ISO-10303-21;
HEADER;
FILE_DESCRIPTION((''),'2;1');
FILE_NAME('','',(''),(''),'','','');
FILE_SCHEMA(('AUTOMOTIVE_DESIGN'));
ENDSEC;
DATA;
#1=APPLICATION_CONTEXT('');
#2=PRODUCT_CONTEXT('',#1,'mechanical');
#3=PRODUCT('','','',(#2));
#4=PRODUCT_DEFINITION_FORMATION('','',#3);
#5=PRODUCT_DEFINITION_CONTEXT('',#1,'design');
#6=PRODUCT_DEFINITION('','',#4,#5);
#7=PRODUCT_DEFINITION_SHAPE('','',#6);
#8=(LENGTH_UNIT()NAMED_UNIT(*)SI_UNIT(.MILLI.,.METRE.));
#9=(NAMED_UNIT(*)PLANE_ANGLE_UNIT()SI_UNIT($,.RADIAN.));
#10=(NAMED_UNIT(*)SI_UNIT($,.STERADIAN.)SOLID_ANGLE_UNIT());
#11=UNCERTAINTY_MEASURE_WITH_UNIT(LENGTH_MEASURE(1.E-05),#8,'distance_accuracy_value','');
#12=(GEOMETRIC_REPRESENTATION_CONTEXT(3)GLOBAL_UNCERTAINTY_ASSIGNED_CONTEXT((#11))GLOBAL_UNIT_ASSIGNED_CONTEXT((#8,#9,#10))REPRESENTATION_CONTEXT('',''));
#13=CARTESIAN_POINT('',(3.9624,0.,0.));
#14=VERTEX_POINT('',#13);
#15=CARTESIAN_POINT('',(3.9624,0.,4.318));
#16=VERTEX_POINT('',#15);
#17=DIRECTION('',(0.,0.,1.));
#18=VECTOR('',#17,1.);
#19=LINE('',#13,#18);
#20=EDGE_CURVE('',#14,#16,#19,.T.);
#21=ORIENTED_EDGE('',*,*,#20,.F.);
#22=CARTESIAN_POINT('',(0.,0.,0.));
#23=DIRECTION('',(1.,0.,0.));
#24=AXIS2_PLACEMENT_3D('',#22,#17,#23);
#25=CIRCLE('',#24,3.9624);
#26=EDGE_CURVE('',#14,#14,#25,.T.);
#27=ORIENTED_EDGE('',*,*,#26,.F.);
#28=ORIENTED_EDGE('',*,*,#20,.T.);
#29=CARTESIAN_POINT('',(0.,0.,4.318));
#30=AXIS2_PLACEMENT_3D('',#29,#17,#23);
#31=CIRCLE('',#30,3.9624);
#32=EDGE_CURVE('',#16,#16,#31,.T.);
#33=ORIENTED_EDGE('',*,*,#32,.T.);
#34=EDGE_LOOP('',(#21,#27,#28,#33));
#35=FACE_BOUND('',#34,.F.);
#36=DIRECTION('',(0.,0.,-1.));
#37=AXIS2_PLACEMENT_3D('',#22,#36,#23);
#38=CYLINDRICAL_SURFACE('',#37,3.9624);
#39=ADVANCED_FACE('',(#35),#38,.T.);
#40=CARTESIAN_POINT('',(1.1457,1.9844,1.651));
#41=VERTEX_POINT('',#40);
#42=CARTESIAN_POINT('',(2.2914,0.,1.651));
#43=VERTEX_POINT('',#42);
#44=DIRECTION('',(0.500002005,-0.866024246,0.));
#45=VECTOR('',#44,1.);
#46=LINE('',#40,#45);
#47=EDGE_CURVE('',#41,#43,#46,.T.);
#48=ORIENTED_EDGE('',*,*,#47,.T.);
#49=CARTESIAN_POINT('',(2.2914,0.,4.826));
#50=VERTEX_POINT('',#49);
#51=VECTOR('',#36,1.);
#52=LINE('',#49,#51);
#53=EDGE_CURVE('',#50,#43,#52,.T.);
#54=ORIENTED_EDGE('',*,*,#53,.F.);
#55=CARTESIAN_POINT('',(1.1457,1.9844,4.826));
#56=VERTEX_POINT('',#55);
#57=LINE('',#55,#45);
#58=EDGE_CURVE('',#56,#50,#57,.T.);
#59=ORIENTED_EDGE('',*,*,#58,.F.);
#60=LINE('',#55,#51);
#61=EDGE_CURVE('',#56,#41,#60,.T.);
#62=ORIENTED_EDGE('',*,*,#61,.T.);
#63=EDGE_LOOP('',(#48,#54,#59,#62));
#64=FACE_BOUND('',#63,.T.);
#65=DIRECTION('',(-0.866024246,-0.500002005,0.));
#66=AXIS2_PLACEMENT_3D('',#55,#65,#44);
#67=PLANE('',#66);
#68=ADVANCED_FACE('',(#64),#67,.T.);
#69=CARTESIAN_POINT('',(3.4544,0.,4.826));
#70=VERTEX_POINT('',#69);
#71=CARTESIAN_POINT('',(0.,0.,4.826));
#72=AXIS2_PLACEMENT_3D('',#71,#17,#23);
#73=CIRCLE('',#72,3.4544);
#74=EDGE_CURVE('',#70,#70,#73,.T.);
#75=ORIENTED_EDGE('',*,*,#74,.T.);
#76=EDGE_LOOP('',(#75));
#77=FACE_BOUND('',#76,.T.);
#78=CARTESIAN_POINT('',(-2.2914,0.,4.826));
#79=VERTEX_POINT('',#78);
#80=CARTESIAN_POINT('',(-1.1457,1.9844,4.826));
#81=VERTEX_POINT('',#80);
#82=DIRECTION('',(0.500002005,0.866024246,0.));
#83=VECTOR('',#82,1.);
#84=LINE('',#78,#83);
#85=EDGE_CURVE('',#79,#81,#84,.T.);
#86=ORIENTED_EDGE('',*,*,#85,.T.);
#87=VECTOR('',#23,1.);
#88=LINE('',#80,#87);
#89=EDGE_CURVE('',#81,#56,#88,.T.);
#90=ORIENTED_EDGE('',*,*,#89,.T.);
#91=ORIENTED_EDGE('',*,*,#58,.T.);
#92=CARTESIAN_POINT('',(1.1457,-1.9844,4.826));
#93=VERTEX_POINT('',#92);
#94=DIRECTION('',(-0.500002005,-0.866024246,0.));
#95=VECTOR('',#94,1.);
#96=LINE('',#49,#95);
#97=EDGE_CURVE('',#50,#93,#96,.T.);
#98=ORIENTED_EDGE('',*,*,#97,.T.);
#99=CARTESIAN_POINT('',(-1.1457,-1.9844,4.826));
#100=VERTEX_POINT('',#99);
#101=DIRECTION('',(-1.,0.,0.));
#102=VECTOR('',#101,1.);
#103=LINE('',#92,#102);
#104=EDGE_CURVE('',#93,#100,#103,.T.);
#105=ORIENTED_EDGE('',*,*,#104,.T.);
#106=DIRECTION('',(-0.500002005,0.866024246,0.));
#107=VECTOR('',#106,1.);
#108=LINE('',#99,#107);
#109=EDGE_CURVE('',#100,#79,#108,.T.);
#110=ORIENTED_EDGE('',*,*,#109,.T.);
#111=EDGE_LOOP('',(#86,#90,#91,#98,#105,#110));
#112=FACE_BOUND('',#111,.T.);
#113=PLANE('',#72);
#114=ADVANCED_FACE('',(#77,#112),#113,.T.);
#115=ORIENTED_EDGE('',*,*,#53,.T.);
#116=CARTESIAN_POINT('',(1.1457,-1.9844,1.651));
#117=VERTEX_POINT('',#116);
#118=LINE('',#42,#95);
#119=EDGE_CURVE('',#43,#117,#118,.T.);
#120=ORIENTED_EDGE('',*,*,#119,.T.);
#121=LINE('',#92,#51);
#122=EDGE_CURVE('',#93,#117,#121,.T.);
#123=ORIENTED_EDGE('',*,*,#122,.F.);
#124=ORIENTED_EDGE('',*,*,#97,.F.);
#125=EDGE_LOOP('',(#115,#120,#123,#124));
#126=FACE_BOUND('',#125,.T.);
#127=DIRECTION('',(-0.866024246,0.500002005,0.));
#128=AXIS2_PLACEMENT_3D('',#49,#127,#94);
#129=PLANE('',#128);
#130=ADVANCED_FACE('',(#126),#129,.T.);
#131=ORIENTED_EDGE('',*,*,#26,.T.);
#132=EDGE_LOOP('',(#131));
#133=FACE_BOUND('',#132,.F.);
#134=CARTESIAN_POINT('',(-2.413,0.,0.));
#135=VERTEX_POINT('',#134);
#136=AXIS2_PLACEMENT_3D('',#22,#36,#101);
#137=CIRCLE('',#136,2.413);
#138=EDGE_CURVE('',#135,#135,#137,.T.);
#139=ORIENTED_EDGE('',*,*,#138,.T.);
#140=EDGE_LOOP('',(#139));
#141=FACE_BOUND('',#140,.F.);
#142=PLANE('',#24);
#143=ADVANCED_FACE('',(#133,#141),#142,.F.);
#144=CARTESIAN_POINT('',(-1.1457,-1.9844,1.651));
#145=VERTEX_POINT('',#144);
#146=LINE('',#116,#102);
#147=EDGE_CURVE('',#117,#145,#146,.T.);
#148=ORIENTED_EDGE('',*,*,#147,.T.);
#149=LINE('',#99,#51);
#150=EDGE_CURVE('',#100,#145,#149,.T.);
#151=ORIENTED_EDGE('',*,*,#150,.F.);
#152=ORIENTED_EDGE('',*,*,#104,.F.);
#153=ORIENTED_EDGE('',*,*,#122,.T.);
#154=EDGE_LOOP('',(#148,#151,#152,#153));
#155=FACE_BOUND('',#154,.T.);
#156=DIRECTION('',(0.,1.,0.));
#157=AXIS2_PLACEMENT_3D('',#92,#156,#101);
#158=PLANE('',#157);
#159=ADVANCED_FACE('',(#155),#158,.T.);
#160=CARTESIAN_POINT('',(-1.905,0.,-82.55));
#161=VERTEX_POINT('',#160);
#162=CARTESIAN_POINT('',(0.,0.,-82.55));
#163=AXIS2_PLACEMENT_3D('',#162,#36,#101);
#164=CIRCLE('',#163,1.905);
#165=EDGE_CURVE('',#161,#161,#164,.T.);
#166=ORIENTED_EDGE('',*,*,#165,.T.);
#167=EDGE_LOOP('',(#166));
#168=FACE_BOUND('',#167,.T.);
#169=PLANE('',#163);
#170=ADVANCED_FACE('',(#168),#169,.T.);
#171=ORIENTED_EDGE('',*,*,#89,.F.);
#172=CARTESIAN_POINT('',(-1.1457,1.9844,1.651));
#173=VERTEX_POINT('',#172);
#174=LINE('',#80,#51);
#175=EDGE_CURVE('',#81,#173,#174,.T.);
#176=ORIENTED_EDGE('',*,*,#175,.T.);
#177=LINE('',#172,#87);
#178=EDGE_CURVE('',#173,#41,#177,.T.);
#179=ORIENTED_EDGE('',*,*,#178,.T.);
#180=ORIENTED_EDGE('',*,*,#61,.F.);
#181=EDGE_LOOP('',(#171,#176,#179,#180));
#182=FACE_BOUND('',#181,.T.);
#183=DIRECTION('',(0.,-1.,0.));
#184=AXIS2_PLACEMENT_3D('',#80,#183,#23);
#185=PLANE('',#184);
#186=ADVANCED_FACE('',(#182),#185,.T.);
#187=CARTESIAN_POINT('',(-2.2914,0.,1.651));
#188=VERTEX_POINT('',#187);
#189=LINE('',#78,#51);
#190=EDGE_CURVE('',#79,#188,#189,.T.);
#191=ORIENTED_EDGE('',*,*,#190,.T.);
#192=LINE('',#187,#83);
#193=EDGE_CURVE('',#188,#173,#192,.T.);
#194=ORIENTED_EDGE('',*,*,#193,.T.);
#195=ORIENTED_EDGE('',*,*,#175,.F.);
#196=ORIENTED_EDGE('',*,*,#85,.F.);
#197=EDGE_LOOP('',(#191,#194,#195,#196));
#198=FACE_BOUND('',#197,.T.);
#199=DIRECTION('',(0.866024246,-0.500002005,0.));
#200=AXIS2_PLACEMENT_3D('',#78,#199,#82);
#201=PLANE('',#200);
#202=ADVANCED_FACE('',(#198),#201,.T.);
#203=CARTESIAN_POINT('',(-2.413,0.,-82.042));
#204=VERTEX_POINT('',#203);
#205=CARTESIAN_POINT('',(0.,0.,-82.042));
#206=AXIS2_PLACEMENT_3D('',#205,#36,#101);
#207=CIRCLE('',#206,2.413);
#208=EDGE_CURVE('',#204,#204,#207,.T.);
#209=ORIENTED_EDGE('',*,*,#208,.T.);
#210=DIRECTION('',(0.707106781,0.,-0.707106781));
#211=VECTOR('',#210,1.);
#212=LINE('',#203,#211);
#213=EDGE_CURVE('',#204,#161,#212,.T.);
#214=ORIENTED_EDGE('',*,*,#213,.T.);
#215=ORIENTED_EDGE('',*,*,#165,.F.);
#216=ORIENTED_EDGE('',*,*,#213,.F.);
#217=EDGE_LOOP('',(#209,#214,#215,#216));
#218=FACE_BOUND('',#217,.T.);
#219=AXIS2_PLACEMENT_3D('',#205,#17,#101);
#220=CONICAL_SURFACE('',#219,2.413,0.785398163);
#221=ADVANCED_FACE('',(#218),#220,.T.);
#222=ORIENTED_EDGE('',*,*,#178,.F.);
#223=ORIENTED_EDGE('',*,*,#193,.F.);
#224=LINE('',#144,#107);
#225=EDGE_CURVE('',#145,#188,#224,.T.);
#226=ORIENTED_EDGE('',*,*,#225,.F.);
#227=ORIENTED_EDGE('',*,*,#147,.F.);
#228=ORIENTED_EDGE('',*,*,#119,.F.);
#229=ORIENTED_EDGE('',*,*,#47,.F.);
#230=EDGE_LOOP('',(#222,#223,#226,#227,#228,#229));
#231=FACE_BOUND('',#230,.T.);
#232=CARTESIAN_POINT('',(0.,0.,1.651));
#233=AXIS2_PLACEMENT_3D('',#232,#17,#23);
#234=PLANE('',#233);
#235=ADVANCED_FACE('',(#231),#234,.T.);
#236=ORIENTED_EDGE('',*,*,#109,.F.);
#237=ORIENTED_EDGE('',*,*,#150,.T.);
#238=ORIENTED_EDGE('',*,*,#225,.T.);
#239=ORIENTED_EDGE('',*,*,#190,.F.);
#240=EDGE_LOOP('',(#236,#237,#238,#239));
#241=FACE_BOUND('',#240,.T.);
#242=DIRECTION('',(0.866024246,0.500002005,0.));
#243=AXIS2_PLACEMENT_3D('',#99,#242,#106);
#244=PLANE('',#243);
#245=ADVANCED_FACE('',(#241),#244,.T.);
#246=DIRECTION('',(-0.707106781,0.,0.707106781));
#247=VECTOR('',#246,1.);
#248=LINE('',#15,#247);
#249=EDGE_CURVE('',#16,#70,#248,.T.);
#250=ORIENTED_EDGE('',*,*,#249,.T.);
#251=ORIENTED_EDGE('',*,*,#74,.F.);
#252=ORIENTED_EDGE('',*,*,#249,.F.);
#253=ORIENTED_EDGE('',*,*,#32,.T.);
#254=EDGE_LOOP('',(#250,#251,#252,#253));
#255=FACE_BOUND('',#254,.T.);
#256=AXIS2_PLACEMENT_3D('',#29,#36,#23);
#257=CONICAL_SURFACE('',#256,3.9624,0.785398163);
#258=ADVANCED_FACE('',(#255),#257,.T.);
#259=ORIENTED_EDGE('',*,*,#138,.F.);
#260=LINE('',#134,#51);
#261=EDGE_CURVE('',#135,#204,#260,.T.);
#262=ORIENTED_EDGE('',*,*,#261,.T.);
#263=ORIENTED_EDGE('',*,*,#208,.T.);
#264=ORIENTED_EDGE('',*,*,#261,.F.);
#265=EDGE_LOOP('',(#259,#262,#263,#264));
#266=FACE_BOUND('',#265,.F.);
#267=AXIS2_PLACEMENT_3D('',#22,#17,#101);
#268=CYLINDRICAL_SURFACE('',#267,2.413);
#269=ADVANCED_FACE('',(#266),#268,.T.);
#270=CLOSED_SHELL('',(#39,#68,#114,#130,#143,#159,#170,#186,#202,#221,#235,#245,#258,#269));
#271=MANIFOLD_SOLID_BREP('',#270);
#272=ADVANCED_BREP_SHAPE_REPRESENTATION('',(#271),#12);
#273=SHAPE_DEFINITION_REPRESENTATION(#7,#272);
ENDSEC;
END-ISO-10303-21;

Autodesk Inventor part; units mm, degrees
ref_plane "YZ Plane" through (0, 0, 0) normal (1, 0, 0) x (0, 1, 0)
ref_plane "XZ Plane" through (0, 0, 0) normal (0, 1, 0) x (-1, 0, 0)
ref_plane "XY Plane" through (0, 0, 0) normal (0, 0, 1) x (1, 0, 0)
sketch "Sketch1" plane through (0, 0, 0) normal (0, 0, 1) x (1, 0, 0)
  circle A0 centre (0, 0) radius 3.9624
  dimension "d0" = 7.9248
extrude "Extrusion1" add sketch "Sketch1" along normal blind 4.826
sketch "Sketch2" plane through (0, 0, 0) normal (0, 0, -1) x (-1, 0, 0)
  circle A0 centre (0, 0) radius 3.9624 projected
  circle A1 centre (0, 0) radius 2.413
  dimension "d3" = 4.826
extrude "Extrusion2" add sketch "Sketch2" along normal blind 82.55 contours A1
sketch "Sketch3" plane through (0, 0, 4.826) normal (0, 0, 1) x (1, 0, 0)
  circle A0 centre (0, 0) radius 3.9624 projected
  line L0 (-1.1457, 1.9844) -> (1.1457, 1.9844)
  line L1 (1.1457, 1.9844) -> (2.2914, 0)
  line L2 (2.2914, 0) -> (1.1457, -1.9844)
  line L3 (1.1457, -1.9844) -> (-1.1457, -1.9844)
  line L4 (-1.1457, -1.9844) -> (-2.2914, 0)
  line L5 (-2.2914, 0) -> (-1.1457, 1.9844)
  dimension "d6" = 3.9688
extrude "Extrusion3" cut sketch "Sketch3" against normal blind 3.175 contours L0 L1 L2 L3 L4 L5
thread "Thread1" size "10-32 UNF" class "2A" standard "ANSI Unified Screw Threads" length 25.4
chamfer "Chamfer1" distance 0.508 angle 45 1 edges at (2.413, 0, -82.55)
chamfer "Chamfer2" distance 0.508 angle 45 1 edges at (-3.9624, 0, 4.826)
properties part number "10-32 x1000" material "Steel"
